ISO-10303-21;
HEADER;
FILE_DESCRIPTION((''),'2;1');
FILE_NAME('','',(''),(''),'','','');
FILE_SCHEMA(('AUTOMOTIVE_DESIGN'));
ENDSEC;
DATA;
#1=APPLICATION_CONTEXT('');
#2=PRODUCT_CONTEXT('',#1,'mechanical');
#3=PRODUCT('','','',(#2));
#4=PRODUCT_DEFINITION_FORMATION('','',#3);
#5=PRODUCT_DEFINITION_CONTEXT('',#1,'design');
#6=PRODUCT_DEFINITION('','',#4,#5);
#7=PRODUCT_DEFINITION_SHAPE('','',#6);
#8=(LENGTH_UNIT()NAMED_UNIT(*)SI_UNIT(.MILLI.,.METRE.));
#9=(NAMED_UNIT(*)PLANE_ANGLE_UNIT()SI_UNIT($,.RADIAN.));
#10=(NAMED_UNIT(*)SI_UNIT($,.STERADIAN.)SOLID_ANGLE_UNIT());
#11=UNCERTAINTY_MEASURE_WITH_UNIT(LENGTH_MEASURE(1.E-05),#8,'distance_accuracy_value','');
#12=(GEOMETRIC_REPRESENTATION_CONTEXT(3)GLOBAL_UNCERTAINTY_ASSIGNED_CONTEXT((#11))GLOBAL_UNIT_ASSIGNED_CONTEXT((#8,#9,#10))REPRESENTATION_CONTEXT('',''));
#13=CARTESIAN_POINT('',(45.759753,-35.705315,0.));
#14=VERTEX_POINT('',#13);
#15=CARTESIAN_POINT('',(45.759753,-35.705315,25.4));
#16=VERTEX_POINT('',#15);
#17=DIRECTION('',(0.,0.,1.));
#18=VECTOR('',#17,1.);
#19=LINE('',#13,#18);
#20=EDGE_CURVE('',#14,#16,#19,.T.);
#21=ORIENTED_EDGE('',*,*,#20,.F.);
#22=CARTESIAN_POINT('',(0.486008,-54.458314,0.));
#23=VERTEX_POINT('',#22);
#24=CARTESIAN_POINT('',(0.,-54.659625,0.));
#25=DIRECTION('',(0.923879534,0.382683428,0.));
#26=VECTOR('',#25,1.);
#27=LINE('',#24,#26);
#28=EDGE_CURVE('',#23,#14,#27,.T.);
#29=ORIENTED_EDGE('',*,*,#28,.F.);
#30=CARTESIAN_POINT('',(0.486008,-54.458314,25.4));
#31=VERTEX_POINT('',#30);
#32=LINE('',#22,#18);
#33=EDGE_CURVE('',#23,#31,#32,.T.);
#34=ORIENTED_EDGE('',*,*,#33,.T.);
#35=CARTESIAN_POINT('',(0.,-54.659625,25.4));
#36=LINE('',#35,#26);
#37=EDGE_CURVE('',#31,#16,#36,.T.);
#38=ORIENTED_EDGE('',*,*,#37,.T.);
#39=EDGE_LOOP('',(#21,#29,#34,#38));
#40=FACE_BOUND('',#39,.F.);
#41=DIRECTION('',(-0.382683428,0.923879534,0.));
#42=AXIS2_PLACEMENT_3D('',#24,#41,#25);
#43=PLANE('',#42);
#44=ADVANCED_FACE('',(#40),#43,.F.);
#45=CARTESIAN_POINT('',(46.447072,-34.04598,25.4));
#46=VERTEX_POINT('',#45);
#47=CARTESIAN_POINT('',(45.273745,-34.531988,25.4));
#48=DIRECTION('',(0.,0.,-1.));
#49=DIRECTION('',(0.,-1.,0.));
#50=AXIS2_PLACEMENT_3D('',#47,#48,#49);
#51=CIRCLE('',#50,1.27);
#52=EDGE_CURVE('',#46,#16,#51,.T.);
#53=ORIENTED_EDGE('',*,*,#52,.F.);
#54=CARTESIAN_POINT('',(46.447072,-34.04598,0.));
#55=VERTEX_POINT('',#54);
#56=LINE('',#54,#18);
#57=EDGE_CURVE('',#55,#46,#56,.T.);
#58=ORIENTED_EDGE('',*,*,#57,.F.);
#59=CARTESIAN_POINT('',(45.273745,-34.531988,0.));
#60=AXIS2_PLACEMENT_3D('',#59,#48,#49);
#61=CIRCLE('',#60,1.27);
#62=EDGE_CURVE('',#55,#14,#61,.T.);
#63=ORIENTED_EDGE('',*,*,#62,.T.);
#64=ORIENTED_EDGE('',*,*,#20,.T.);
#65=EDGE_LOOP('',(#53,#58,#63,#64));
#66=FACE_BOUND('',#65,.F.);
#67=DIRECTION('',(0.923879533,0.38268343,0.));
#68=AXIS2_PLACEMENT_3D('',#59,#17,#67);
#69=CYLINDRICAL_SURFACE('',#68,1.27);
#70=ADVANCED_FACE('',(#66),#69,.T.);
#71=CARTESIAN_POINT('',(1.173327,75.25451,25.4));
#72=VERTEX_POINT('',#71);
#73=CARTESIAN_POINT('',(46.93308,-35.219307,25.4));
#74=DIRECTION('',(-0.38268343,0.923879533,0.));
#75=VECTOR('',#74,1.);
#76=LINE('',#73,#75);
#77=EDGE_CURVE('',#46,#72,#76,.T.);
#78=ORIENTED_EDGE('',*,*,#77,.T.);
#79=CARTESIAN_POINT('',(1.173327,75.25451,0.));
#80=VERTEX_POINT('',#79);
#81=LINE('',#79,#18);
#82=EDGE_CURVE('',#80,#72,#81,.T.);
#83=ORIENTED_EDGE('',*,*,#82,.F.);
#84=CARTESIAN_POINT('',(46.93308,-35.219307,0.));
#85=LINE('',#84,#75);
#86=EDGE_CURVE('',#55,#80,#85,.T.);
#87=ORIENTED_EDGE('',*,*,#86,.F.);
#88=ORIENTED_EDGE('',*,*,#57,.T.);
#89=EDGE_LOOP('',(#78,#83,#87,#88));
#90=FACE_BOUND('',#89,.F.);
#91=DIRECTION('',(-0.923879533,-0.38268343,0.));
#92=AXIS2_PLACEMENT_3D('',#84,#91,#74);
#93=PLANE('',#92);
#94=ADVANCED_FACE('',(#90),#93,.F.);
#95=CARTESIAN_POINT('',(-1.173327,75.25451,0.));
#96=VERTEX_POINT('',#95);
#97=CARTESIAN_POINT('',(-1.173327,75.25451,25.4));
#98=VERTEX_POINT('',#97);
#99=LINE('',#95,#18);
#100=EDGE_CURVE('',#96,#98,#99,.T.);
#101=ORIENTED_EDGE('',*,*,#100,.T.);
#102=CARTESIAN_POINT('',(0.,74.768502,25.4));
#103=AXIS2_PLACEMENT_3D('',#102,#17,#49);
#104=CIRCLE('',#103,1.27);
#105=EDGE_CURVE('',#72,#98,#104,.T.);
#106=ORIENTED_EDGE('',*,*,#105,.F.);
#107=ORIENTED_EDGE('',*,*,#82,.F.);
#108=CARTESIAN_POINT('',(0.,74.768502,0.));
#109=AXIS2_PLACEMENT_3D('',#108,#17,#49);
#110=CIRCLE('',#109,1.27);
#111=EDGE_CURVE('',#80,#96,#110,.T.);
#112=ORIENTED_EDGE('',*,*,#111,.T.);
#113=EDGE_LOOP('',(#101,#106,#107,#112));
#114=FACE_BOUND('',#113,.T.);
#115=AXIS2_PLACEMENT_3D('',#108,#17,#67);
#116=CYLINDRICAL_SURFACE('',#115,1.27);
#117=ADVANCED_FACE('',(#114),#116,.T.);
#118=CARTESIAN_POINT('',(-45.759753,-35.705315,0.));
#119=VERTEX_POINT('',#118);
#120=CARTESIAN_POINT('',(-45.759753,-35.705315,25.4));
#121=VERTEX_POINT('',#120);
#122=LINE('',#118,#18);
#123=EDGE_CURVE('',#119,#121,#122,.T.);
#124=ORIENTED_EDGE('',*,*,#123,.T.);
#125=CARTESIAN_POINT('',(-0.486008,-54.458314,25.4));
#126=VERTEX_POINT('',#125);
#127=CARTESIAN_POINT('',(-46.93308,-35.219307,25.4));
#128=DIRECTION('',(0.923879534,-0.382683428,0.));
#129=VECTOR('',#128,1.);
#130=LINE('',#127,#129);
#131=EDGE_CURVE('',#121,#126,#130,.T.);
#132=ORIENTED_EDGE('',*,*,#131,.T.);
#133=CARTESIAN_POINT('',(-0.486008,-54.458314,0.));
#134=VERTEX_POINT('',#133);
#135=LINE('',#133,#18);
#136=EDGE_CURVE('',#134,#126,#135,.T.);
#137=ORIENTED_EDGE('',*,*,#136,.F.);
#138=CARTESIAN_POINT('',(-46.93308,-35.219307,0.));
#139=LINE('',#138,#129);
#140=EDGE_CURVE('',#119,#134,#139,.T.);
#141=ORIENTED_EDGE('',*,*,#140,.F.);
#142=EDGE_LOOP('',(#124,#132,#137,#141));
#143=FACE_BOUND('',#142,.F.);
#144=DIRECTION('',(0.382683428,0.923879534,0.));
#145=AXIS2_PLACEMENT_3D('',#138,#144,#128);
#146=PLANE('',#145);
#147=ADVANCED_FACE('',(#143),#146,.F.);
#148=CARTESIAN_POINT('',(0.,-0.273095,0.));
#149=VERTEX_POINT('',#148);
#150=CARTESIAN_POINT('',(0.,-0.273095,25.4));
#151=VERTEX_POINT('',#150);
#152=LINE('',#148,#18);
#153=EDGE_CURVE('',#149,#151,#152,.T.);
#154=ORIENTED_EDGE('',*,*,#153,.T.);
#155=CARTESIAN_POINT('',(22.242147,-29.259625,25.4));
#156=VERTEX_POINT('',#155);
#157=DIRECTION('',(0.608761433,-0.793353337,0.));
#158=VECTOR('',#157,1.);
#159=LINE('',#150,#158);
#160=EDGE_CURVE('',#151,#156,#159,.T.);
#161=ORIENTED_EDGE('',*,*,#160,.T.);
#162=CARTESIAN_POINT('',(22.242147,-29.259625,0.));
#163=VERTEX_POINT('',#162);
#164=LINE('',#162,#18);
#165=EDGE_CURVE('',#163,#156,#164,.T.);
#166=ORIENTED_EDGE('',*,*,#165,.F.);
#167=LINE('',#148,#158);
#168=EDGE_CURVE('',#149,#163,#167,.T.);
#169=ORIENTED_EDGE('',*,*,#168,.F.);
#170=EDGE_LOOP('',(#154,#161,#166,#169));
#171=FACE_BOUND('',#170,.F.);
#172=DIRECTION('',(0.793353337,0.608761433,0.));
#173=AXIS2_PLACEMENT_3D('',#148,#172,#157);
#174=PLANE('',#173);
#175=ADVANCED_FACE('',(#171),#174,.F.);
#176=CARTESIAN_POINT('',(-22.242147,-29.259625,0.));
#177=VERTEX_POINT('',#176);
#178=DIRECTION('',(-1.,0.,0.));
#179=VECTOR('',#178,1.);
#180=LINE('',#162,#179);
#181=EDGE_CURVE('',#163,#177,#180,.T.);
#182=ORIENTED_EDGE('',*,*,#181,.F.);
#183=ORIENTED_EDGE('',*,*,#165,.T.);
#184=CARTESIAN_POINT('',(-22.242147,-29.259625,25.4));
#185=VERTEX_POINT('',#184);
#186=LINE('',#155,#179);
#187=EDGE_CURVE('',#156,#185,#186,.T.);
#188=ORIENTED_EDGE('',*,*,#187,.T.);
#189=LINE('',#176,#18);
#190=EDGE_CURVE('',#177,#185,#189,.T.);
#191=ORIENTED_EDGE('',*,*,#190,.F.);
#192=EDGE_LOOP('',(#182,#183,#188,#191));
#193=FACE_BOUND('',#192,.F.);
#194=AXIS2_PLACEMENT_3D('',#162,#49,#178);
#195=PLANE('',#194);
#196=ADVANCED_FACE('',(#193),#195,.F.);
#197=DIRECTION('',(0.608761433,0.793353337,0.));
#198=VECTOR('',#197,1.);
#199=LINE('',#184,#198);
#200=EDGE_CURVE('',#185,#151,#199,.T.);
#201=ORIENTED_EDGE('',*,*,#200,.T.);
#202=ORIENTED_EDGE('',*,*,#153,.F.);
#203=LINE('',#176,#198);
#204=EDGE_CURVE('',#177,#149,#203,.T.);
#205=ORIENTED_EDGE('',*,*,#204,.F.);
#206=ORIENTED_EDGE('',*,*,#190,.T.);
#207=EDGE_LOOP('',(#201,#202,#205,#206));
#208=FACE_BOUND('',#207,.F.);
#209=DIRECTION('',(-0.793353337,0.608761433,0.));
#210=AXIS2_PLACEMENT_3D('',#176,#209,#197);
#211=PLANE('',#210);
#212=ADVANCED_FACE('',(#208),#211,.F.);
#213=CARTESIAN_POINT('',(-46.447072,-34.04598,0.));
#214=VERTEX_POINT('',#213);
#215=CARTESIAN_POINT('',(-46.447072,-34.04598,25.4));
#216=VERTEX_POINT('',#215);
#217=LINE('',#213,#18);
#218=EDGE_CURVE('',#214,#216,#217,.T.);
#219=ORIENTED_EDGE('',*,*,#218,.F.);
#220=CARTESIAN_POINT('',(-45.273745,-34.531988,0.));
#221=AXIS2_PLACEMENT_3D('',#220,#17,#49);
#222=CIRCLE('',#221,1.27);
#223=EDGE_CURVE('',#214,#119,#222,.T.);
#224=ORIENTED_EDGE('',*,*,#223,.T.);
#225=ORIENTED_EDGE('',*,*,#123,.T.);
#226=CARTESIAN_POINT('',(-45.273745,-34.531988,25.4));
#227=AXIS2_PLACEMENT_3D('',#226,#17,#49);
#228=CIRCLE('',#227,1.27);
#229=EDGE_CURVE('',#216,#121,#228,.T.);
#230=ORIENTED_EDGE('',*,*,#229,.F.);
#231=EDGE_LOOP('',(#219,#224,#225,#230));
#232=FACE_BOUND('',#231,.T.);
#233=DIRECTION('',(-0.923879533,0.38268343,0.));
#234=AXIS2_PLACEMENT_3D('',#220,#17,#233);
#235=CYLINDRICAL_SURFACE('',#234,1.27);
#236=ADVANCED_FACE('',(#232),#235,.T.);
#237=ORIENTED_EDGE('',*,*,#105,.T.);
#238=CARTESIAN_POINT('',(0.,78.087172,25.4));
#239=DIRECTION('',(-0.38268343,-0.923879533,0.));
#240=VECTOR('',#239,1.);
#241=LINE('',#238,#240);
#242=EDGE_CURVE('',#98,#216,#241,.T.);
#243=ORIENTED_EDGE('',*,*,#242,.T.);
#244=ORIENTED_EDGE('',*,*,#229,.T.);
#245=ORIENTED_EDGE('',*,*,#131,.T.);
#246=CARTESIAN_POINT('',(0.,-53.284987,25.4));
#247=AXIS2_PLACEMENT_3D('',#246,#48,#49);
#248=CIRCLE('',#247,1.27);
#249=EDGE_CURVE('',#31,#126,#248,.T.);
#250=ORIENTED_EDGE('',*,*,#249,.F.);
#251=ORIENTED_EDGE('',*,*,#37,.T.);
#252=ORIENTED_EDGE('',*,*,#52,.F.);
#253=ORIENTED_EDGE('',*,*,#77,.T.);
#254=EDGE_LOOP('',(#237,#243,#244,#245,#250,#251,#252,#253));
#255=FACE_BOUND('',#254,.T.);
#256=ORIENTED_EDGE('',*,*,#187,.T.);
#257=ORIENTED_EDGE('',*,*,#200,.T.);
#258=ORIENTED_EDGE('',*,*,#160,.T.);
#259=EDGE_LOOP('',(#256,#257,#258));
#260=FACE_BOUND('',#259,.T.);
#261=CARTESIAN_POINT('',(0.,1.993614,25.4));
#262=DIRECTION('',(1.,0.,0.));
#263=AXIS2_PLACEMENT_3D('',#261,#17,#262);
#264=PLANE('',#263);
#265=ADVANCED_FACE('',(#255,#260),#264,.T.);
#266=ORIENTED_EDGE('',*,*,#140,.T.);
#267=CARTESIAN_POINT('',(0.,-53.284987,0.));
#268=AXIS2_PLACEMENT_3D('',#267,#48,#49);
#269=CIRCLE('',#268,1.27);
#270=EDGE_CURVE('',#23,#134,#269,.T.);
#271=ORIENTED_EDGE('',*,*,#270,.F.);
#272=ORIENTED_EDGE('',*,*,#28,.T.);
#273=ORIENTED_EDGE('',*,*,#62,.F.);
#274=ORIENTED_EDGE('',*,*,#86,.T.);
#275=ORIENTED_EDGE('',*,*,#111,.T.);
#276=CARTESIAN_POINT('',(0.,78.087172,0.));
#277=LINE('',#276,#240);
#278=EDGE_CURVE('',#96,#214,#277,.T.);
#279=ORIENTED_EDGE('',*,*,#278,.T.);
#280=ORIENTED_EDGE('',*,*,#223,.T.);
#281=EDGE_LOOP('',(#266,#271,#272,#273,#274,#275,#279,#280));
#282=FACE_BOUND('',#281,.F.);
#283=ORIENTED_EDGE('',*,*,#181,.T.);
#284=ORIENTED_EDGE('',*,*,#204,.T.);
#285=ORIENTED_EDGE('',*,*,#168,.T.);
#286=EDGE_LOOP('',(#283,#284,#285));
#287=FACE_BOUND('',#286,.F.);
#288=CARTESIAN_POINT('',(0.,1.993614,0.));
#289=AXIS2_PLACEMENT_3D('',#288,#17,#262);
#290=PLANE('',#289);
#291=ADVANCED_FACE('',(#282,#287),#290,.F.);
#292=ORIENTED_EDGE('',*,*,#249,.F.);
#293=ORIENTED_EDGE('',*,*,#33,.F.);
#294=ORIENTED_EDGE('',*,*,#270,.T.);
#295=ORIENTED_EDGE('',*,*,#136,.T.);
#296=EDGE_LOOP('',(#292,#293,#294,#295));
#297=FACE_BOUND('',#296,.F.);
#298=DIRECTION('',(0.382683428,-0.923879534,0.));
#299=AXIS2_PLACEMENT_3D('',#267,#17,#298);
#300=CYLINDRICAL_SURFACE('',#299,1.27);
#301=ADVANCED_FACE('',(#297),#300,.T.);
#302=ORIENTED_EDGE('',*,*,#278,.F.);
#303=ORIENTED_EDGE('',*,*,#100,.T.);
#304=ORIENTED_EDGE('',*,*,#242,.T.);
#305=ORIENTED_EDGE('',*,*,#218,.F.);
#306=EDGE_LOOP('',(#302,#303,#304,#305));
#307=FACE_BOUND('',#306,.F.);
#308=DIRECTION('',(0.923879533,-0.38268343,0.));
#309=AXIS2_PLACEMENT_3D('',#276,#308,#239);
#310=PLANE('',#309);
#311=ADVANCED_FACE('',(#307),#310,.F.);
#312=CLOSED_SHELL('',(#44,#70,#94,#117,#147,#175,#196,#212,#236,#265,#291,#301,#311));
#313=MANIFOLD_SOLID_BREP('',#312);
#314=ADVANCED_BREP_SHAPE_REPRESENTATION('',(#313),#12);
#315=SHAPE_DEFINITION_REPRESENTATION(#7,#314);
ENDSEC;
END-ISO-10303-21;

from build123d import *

# Parameters (mm, degrees)
F1_DEPTH = 25.4
F2_R     = 1.27


with BuildPart() as f1:
    # F0 (on Top) → F1 (new body)
    with BuildSketch(Plane.XY):
        Polygon((46.93308, -35.219307), (0, 78.087172), (-46.93308, -35.219307), (0, -54.659625), align=None)
        Polygon((22.242147, -29.259625), (-22.242147, -29.259625), (0, -0.273095), align=None, mode=Mode.SUBTRACT)
    extrude(amount=F1_DEPTH)

    # F2
    f2_edges = [f1.edges().sort_by_distance(p)[0] for p in [
        (0, -54.659625, 12.7),
        (46.93308, -35.219307, 12.7),
        (0, 78.087172, 12.7),
        (-46.93308, -35.219307, 12.7),
    ]]
    fillet(f2_edges, radius=F2_R)


solid = f1.part
